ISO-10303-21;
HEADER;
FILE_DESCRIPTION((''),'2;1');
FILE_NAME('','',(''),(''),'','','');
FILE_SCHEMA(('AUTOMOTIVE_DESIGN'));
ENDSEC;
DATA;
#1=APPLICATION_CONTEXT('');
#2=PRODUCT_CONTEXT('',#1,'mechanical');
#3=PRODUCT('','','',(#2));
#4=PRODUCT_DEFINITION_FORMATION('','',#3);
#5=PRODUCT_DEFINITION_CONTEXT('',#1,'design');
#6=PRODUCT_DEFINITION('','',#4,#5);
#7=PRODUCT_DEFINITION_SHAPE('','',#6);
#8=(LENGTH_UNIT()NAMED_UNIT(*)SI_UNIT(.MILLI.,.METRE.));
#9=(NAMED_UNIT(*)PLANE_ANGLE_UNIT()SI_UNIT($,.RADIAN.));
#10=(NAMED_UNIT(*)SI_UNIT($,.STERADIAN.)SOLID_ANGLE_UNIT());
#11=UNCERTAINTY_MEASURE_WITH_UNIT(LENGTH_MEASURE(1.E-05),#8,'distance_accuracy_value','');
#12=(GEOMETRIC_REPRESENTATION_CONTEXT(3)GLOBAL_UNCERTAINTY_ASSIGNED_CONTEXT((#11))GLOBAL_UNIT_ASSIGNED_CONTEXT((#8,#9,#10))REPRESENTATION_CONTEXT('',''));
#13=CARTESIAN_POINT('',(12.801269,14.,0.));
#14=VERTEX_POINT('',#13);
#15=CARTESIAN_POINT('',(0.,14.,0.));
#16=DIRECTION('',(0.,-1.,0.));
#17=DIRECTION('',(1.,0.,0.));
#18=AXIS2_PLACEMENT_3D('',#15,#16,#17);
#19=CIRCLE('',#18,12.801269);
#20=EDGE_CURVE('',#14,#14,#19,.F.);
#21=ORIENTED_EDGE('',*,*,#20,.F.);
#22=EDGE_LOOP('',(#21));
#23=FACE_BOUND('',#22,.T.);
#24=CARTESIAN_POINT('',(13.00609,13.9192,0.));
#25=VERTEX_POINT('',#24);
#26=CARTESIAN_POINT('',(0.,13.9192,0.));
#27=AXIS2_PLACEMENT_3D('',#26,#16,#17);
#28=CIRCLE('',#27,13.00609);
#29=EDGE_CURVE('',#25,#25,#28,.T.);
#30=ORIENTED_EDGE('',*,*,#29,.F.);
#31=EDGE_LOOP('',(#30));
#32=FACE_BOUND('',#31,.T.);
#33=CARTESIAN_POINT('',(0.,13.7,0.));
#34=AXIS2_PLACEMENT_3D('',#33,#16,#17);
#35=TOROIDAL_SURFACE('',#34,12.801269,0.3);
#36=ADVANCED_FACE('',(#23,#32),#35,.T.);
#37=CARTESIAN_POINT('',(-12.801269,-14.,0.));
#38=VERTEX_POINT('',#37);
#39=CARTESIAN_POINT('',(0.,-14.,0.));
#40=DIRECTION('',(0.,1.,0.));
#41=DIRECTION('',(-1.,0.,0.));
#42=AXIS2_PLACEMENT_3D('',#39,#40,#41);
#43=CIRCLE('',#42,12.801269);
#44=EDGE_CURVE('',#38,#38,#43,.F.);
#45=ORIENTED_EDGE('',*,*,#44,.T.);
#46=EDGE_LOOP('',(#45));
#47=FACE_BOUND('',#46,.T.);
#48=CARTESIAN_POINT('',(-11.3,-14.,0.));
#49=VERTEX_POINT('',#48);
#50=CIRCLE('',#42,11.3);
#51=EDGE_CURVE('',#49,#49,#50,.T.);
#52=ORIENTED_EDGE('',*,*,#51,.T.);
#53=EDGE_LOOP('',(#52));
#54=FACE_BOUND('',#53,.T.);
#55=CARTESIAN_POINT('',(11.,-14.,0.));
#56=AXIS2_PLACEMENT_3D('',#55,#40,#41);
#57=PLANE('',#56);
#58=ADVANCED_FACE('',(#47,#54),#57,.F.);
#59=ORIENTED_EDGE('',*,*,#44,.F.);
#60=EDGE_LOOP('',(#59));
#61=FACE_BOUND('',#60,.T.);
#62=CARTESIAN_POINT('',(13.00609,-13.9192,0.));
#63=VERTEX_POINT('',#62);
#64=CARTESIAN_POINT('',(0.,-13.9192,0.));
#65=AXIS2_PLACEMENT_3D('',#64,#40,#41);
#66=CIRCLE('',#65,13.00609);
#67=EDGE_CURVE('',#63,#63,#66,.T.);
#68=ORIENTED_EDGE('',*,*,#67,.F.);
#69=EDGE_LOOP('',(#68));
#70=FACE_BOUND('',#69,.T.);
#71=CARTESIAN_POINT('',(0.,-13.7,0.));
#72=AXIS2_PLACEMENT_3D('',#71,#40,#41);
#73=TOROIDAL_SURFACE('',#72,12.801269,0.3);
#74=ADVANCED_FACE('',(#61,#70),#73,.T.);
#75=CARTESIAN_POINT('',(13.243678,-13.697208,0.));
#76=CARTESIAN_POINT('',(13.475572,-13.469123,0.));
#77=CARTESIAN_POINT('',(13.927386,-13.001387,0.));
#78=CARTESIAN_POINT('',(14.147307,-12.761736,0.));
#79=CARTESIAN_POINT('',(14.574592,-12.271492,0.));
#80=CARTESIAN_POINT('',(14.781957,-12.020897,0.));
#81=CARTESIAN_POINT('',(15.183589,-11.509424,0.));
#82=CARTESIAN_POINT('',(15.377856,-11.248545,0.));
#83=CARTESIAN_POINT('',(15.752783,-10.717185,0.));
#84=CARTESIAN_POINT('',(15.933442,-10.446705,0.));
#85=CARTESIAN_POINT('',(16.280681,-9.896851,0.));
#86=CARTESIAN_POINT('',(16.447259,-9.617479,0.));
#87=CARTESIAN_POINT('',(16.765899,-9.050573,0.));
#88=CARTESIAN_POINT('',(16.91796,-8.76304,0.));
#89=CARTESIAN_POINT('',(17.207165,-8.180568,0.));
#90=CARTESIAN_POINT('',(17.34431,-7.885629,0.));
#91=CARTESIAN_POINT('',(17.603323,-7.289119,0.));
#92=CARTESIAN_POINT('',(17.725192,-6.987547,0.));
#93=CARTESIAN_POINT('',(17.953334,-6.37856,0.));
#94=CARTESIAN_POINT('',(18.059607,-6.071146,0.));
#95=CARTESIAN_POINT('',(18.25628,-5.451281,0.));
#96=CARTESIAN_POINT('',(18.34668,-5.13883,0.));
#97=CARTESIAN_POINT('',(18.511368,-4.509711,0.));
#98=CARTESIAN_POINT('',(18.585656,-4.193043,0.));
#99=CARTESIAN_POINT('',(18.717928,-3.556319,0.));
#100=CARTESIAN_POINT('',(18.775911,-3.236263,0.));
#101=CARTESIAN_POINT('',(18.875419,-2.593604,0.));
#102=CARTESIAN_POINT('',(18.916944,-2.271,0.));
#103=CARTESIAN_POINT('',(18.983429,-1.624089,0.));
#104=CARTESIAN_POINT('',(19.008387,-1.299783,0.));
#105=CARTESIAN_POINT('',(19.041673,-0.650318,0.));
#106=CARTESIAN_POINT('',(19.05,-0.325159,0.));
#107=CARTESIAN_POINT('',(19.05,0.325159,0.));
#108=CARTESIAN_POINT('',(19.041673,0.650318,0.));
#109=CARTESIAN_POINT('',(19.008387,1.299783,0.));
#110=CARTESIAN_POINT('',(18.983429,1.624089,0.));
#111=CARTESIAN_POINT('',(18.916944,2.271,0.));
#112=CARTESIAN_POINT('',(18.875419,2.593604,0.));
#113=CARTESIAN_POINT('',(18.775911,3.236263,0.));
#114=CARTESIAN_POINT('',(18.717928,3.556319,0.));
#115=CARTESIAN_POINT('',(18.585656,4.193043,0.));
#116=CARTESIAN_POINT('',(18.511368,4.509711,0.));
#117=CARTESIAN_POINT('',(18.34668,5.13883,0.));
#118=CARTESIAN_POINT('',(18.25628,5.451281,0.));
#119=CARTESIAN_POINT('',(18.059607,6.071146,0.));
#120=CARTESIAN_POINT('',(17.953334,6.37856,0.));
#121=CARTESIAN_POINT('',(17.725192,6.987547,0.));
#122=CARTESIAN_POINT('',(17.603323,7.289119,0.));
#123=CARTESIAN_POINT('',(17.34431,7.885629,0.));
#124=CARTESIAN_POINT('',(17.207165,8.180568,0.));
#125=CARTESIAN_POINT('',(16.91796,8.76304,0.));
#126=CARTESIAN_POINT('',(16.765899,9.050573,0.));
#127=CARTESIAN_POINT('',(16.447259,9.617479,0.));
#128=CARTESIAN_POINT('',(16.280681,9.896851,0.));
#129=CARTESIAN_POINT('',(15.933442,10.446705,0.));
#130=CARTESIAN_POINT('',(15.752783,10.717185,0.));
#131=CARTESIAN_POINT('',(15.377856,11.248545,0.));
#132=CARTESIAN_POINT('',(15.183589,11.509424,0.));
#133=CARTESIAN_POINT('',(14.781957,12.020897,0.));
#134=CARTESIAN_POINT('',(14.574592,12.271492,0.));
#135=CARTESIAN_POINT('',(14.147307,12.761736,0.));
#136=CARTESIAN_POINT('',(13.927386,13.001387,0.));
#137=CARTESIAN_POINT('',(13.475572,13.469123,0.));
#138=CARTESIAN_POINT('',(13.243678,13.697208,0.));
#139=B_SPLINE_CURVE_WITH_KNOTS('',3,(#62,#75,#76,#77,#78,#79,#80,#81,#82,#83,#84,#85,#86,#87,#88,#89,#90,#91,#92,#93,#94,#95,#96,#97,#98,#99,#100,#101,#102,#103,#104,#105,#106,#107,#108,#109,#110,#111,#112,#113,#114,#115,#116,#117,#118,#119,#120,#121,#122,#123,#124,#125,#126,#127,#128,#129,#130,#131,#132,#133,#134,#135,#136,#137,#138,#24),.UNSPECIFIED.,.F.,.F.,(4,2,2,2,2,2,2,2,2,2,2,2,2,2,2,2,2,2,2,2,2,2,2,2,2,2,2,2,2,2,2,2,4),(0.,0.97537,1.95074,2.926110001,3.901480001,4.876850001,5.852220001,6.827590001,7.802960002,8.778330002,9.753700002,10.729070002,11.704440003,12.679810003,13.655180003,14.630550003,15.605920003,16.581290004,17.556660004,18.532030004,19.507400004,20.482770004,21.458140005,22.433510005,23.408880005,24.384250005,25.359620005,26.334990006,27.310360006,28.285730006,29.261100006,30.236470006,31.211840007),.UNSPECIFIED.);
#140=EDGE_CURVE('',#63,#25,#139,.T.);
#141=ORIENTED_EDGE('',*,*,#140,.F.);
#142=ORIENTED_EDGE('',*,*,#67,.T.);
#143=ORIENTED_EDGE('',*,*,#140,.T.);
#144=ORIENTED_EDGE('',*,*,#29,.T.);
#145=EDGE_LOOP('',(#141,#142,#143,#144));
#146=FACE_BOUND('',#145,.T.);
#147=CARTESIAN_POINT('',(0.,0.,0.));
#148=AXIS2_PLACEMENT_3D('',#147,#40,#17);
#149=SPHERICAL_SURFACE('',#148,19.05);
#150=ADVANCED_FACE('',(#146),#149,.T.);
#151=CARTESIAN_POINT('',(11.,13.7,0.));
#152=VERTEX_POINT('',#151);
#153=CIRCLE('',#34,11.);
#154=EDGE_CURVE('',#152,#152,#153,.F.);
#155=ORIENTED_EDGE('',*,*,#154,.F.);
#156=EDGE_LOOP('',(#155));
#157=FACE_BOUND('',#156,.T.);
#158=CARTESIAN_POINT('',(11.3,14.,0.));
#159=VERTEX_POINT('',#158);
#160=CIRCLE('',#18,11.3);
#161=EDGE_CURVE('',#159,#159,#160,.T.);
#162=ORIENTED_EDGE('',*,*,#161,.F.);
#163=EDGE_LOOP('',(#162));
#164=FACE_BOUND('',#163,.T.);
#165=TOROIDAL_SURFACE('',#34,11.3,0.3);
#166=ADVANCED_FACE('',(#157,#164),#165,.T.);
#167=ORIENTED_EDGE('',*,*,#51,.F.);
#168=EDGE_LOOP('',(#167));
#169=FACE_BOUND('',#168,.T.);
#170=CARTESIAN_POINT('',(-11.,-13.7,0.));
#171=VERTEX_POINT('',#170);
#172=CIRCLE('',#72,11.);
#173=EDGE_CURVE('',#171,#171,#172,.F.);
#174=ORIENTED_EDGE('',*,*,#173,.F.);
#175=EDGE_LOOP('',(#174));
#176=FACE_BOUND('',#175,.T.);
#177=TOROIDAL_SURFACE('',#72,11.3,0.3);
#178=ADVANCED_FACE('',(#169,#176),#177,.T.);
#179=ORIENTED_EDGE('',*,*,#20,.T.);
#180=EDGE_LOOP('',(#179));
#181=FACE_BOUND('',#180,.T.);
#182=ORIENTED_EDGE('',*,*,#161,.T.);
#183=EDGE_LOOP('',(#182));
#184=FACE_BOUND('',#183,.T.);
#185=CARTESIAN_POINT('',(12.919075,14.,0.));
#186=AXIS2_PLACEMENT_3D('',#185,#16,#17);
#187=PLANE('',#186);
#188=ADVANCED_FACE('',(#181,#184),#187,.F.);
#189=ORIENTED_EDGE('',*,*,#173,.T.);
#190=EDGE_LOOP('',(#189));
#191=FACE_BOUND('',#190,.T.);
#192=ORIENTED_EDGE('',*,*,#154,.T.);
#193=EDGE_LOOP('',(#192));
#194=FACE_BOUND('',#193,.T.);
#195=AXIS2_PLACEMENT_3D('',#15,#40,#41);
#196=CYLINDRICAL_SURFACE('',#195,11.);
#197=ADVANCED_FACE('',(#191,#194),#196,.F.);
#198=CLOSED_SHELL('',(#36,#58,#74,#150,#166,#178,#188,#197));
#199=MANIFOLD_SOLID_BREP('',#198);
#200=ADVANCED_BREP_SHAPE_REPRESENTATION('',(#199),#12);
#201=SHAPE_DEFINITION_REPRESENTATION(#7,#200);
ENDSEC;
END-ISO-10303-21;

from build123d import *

# Parameters (mm, degrees)
FILLET1_R = 0.3


with BuildPart() as part:
    # Sketch1 → Revolve1 (revolve)
    with BuildSketch(Plane.XY):
        with BuildLine():
            Line((12.919075044, 14), (11, 14))
            Line((11, 14), (11, -14))
            Line((11, -14), (12.919075044, -14))
            ThreePointArc((12.919075044, -14), (19.05, 0), (12.919075044, 14))
        make_face()
    revolve(axis=Axis((0, 14, 0), (0, -1, 0)))

    # Fillet1
    fillet1_edges = [part.edges().sort_by_distance(p)[0] for p in [
        (-12.919075044, -14, 0),
        (-11, -14, 0),
        (-11, 14, 0),
        (-12.919075044, 14, 0),
    ]]
    fillet(fillet1_edges, radius=FILLET1_R)


solid = part.part
